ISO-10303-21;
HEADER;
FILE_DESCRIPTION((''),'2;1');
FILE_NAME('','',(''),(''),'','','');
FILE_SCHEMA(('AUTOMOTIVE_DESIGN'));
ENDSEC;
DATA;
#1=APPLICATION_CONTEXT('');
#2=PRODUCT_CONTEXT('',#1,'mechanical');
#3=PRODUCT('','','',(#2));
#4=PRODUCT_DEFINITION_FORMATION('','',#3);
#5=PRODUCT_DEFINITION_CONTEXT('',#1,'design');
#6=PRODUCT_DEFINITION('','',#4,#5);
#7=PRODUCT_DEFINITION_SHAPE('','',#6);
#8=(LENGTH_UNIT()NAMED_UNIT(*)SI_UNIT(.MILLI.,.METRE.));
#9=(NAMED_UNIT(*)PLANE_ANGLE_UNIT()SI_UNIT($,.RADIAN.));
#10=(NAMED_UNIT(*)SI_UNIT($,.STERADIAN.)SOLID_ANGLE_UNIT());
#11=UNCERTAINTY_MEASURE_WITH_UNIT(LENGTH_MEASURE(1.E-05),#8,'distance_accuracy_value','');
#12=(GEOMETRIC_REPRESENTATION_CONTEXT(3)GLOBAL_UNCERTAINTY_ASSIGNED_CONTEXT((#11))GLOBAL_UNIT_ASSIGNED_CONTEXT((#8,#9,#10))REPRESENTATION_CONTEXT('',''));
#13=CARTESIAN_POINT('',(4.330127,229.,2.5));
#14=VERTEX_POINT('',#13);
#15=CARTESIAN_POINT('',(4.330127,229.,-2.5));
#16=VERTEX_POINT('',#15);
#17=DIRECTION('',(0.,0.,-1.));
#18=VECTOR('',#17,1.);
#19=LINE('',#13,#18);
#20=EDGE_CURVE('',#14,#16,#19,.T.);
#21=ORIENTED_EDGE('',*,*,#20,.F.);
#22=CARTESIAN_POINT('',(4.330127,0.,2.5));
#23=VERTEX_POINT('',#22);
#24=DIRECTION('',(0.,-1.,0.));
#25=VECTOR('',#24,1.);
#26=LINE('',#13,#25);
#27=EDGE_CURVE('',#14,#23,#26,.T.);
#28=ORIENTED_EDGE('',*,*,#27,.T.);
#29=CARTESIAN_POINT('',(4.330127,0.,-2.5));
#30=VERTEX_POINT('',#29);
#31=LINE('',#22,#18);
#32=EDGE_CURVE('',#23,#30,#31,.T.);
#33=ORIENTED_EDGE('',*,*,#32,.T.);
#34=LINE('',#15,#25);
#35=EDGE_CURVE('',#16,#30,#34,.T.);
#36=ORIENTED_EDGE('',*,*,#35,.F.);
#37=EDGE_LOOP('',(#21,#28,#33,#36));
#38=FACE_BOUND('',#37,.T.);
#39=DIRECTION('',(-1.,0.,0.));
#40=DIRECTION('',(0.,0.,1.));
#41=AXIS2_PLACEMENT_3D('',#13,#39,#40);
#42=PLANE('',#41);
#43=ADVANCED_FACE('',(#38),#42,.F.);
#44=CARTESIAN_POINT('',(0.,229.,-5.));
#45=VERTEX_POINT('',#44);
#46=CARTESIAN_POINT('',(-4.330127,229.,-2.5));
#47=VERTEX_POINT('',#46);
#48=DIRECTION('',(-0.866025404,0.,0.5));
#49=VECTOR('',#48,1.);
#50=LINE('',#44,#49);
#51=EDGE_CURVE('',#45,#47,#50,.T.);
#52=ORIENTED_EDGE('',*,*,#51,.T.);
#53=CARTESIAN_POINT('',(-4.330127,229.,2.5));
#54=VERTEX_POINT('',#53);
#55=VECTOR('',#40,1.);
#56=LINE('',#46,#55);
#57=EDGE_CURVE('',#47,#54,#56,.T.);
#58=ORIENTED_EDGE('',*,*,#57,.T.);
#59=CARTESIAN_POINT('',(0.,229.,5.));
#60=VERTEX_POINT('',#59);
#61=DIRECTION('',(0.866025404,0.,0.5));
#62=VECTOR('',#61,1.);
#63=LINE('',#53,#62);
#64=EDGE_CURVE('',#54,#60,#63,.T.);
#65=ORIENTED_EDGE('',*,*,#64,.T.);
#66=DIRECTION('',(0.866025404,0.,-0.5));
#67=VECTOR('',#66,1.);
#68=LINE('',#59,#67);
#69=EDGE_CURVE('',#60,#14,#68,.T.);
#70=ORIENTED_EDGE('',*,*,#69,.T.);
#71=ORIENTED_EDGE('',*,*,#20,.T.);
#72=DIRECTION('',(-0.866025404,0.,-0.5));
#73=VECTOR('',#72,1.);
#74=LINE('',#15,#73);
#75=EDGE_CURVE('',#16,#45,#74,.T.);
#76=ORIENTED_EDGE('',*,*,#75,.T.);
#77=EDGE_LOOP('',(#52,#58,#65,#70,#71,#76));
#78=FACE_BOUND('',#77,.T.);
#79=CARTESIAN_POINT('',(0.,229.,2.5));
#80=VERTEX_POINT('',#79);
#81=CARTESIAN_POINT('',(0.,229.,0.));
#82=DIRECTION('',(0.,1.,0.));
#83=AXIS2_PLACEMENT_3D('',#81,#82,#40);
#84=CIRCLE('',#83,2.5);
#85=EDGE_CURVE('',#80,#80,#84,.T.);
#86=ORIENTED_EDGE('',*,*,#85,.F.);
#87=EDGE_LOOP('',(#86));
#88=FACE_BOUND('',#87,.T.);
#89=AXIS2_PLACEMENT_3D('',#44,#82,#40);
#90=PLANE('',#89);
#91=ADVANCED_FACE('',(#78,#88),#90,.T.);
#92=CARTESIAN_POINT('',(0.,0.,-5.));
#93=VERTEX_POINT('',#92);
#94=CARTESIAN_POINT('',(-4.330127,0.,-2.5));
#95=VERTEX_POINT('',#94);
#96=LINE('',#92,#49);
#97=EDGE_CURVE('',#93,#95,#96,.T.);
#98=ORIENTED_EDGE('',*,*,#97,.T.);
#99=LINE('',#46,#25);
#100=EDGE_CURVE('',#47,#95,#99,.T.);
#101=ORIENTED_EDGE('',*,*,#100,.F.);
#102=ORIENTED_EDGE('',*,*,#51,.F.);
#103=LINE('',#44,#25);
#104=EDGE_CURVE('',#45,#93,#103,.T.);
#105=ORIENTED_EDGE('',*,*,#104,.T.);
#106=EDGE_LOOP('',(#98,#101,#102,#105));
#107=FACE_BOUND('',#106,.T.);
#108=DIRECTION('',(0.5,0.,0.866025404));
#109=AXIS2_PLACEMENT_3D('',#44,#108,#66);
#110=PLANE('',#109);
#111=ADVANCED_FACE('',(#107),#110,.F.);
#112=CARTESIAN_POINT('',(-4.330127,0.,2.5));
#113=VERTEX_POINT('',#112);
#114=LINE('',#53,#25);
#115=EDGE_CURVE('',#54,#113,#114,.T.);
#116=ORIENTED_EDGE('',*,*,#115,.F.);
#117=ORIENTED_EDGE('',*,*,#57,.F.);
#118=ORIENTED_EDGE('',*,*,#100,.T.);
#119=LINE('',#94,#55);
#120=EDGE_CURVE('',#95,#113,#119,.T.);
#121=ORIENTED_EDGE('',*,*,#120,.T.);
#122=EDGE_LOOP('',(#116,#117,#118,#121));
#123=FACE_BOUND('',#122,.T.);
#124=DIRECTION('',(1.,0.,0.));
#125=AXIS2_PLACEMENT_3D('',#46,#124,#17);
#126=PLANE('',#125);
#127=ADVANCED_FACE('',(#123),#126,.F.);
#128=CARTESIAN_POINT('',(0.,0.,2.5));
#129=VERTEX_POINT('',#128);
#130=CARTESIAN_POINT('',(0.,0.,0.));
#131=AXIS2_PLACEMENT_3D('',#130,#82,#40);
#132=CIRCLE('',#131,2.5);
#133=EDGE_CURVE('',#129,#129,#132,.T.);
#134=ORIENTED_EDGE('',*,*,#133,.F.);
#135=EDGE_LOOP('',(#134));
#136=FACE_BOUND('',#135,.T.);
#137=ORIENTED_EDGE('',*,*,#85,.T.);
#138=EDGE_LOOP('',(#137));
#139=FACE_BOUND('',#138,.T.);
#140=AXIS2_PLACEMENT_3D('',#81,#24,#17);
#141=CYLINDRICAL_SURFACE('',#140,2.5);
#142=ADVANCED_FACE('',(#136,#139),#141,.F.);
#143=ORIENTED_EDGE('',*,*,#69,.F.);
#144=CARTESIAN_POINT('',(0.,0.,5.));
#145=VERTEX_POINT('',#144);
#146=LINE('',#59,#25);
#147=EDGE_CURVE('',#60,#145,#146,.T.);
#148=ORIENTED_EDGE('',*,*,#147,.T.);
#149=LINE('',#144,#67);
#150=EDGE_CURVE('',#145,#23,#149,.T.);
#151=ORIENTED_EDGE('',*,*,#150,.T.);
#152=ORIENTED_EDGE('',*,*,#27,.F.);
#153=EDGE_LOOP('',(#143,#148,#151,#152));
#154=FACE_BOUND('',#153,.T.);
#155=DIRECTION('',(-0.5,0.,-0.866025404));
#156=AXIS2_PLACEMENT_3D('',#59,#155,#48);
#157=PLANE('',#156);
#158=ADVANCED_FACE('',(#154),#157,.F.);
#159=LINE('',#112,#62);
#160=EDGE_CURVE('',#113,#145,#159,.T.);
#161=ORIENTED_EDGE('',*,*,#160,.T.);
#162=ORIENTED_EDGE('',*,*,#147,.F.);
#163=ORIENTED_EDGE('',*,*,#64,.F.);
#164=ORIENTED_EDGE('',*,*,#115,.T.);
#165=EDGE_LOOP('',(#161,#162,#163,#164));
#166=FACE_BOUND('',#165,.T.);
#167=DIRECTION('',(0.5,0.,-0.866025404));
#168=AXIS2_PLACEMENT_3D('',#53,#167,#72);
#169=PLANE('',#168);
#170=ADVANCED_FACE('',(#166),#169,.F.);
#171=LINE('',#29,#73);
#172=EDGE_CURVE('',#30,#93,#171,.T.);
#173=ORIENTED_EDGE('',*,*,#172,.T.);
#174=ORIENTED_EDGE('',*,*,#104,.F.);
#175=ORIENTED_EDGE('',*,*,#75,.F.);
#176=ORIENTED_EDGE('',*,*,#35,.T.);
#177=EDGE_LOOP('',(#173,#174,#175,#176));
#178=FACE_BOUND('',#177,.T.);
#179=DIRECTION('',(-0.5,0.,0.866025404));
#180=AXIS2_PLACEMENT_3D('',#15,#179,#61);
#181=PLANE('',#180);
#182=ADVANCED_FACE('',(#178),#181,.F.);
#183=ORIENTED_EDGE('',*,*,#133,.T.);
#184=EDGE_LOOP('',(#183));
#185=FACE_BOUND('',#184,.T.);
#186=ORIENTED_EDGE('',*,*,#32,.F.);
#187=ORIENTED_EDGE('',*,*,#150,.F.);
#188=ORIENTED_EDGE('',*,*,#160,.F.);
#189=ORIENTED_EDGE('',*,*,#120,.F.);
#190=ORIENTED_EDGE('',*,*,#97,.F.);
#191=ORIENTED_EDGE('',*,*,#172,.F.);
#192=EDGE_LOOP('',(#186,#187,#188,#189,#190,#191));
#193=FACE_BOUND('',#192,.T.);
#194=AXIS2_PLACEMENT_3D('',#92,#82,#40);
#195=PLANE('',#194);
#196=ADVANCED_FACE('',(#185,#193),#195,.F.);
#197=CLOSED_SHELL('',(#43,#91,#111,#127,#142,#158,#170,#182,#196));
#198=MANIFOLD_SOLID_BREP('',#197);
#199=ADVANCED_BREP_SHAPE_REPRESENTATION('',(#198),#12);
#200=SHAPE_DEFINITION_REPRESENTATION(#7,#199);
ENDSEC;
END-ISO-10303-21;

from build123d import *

# Parameters (mm, degrees)
ESQUISSE1_R      = 2.5
EXTRUSION1_DEPTH = 229


with BuildPart() as part:
    # Esquisse1 → Extrusion1 (new body)
    with BuildSketch(Plane(origin=(0, 0, 0), x_dir=(1, 0, 0), z_dir=(0, 1, 0))):
        Polygon((0, 5), (-4.330127019, 2.5), (-4.330127019, -2.5), (0, -5), (4.330127019, -2.5), (4.330127019, 2.5), align=None)
        Circle(ESQUISSE1_R, mode=Mode.SUBTRACT)
    extrude(amount=EXTRUSION1_DEPTH)


solid = part.part
